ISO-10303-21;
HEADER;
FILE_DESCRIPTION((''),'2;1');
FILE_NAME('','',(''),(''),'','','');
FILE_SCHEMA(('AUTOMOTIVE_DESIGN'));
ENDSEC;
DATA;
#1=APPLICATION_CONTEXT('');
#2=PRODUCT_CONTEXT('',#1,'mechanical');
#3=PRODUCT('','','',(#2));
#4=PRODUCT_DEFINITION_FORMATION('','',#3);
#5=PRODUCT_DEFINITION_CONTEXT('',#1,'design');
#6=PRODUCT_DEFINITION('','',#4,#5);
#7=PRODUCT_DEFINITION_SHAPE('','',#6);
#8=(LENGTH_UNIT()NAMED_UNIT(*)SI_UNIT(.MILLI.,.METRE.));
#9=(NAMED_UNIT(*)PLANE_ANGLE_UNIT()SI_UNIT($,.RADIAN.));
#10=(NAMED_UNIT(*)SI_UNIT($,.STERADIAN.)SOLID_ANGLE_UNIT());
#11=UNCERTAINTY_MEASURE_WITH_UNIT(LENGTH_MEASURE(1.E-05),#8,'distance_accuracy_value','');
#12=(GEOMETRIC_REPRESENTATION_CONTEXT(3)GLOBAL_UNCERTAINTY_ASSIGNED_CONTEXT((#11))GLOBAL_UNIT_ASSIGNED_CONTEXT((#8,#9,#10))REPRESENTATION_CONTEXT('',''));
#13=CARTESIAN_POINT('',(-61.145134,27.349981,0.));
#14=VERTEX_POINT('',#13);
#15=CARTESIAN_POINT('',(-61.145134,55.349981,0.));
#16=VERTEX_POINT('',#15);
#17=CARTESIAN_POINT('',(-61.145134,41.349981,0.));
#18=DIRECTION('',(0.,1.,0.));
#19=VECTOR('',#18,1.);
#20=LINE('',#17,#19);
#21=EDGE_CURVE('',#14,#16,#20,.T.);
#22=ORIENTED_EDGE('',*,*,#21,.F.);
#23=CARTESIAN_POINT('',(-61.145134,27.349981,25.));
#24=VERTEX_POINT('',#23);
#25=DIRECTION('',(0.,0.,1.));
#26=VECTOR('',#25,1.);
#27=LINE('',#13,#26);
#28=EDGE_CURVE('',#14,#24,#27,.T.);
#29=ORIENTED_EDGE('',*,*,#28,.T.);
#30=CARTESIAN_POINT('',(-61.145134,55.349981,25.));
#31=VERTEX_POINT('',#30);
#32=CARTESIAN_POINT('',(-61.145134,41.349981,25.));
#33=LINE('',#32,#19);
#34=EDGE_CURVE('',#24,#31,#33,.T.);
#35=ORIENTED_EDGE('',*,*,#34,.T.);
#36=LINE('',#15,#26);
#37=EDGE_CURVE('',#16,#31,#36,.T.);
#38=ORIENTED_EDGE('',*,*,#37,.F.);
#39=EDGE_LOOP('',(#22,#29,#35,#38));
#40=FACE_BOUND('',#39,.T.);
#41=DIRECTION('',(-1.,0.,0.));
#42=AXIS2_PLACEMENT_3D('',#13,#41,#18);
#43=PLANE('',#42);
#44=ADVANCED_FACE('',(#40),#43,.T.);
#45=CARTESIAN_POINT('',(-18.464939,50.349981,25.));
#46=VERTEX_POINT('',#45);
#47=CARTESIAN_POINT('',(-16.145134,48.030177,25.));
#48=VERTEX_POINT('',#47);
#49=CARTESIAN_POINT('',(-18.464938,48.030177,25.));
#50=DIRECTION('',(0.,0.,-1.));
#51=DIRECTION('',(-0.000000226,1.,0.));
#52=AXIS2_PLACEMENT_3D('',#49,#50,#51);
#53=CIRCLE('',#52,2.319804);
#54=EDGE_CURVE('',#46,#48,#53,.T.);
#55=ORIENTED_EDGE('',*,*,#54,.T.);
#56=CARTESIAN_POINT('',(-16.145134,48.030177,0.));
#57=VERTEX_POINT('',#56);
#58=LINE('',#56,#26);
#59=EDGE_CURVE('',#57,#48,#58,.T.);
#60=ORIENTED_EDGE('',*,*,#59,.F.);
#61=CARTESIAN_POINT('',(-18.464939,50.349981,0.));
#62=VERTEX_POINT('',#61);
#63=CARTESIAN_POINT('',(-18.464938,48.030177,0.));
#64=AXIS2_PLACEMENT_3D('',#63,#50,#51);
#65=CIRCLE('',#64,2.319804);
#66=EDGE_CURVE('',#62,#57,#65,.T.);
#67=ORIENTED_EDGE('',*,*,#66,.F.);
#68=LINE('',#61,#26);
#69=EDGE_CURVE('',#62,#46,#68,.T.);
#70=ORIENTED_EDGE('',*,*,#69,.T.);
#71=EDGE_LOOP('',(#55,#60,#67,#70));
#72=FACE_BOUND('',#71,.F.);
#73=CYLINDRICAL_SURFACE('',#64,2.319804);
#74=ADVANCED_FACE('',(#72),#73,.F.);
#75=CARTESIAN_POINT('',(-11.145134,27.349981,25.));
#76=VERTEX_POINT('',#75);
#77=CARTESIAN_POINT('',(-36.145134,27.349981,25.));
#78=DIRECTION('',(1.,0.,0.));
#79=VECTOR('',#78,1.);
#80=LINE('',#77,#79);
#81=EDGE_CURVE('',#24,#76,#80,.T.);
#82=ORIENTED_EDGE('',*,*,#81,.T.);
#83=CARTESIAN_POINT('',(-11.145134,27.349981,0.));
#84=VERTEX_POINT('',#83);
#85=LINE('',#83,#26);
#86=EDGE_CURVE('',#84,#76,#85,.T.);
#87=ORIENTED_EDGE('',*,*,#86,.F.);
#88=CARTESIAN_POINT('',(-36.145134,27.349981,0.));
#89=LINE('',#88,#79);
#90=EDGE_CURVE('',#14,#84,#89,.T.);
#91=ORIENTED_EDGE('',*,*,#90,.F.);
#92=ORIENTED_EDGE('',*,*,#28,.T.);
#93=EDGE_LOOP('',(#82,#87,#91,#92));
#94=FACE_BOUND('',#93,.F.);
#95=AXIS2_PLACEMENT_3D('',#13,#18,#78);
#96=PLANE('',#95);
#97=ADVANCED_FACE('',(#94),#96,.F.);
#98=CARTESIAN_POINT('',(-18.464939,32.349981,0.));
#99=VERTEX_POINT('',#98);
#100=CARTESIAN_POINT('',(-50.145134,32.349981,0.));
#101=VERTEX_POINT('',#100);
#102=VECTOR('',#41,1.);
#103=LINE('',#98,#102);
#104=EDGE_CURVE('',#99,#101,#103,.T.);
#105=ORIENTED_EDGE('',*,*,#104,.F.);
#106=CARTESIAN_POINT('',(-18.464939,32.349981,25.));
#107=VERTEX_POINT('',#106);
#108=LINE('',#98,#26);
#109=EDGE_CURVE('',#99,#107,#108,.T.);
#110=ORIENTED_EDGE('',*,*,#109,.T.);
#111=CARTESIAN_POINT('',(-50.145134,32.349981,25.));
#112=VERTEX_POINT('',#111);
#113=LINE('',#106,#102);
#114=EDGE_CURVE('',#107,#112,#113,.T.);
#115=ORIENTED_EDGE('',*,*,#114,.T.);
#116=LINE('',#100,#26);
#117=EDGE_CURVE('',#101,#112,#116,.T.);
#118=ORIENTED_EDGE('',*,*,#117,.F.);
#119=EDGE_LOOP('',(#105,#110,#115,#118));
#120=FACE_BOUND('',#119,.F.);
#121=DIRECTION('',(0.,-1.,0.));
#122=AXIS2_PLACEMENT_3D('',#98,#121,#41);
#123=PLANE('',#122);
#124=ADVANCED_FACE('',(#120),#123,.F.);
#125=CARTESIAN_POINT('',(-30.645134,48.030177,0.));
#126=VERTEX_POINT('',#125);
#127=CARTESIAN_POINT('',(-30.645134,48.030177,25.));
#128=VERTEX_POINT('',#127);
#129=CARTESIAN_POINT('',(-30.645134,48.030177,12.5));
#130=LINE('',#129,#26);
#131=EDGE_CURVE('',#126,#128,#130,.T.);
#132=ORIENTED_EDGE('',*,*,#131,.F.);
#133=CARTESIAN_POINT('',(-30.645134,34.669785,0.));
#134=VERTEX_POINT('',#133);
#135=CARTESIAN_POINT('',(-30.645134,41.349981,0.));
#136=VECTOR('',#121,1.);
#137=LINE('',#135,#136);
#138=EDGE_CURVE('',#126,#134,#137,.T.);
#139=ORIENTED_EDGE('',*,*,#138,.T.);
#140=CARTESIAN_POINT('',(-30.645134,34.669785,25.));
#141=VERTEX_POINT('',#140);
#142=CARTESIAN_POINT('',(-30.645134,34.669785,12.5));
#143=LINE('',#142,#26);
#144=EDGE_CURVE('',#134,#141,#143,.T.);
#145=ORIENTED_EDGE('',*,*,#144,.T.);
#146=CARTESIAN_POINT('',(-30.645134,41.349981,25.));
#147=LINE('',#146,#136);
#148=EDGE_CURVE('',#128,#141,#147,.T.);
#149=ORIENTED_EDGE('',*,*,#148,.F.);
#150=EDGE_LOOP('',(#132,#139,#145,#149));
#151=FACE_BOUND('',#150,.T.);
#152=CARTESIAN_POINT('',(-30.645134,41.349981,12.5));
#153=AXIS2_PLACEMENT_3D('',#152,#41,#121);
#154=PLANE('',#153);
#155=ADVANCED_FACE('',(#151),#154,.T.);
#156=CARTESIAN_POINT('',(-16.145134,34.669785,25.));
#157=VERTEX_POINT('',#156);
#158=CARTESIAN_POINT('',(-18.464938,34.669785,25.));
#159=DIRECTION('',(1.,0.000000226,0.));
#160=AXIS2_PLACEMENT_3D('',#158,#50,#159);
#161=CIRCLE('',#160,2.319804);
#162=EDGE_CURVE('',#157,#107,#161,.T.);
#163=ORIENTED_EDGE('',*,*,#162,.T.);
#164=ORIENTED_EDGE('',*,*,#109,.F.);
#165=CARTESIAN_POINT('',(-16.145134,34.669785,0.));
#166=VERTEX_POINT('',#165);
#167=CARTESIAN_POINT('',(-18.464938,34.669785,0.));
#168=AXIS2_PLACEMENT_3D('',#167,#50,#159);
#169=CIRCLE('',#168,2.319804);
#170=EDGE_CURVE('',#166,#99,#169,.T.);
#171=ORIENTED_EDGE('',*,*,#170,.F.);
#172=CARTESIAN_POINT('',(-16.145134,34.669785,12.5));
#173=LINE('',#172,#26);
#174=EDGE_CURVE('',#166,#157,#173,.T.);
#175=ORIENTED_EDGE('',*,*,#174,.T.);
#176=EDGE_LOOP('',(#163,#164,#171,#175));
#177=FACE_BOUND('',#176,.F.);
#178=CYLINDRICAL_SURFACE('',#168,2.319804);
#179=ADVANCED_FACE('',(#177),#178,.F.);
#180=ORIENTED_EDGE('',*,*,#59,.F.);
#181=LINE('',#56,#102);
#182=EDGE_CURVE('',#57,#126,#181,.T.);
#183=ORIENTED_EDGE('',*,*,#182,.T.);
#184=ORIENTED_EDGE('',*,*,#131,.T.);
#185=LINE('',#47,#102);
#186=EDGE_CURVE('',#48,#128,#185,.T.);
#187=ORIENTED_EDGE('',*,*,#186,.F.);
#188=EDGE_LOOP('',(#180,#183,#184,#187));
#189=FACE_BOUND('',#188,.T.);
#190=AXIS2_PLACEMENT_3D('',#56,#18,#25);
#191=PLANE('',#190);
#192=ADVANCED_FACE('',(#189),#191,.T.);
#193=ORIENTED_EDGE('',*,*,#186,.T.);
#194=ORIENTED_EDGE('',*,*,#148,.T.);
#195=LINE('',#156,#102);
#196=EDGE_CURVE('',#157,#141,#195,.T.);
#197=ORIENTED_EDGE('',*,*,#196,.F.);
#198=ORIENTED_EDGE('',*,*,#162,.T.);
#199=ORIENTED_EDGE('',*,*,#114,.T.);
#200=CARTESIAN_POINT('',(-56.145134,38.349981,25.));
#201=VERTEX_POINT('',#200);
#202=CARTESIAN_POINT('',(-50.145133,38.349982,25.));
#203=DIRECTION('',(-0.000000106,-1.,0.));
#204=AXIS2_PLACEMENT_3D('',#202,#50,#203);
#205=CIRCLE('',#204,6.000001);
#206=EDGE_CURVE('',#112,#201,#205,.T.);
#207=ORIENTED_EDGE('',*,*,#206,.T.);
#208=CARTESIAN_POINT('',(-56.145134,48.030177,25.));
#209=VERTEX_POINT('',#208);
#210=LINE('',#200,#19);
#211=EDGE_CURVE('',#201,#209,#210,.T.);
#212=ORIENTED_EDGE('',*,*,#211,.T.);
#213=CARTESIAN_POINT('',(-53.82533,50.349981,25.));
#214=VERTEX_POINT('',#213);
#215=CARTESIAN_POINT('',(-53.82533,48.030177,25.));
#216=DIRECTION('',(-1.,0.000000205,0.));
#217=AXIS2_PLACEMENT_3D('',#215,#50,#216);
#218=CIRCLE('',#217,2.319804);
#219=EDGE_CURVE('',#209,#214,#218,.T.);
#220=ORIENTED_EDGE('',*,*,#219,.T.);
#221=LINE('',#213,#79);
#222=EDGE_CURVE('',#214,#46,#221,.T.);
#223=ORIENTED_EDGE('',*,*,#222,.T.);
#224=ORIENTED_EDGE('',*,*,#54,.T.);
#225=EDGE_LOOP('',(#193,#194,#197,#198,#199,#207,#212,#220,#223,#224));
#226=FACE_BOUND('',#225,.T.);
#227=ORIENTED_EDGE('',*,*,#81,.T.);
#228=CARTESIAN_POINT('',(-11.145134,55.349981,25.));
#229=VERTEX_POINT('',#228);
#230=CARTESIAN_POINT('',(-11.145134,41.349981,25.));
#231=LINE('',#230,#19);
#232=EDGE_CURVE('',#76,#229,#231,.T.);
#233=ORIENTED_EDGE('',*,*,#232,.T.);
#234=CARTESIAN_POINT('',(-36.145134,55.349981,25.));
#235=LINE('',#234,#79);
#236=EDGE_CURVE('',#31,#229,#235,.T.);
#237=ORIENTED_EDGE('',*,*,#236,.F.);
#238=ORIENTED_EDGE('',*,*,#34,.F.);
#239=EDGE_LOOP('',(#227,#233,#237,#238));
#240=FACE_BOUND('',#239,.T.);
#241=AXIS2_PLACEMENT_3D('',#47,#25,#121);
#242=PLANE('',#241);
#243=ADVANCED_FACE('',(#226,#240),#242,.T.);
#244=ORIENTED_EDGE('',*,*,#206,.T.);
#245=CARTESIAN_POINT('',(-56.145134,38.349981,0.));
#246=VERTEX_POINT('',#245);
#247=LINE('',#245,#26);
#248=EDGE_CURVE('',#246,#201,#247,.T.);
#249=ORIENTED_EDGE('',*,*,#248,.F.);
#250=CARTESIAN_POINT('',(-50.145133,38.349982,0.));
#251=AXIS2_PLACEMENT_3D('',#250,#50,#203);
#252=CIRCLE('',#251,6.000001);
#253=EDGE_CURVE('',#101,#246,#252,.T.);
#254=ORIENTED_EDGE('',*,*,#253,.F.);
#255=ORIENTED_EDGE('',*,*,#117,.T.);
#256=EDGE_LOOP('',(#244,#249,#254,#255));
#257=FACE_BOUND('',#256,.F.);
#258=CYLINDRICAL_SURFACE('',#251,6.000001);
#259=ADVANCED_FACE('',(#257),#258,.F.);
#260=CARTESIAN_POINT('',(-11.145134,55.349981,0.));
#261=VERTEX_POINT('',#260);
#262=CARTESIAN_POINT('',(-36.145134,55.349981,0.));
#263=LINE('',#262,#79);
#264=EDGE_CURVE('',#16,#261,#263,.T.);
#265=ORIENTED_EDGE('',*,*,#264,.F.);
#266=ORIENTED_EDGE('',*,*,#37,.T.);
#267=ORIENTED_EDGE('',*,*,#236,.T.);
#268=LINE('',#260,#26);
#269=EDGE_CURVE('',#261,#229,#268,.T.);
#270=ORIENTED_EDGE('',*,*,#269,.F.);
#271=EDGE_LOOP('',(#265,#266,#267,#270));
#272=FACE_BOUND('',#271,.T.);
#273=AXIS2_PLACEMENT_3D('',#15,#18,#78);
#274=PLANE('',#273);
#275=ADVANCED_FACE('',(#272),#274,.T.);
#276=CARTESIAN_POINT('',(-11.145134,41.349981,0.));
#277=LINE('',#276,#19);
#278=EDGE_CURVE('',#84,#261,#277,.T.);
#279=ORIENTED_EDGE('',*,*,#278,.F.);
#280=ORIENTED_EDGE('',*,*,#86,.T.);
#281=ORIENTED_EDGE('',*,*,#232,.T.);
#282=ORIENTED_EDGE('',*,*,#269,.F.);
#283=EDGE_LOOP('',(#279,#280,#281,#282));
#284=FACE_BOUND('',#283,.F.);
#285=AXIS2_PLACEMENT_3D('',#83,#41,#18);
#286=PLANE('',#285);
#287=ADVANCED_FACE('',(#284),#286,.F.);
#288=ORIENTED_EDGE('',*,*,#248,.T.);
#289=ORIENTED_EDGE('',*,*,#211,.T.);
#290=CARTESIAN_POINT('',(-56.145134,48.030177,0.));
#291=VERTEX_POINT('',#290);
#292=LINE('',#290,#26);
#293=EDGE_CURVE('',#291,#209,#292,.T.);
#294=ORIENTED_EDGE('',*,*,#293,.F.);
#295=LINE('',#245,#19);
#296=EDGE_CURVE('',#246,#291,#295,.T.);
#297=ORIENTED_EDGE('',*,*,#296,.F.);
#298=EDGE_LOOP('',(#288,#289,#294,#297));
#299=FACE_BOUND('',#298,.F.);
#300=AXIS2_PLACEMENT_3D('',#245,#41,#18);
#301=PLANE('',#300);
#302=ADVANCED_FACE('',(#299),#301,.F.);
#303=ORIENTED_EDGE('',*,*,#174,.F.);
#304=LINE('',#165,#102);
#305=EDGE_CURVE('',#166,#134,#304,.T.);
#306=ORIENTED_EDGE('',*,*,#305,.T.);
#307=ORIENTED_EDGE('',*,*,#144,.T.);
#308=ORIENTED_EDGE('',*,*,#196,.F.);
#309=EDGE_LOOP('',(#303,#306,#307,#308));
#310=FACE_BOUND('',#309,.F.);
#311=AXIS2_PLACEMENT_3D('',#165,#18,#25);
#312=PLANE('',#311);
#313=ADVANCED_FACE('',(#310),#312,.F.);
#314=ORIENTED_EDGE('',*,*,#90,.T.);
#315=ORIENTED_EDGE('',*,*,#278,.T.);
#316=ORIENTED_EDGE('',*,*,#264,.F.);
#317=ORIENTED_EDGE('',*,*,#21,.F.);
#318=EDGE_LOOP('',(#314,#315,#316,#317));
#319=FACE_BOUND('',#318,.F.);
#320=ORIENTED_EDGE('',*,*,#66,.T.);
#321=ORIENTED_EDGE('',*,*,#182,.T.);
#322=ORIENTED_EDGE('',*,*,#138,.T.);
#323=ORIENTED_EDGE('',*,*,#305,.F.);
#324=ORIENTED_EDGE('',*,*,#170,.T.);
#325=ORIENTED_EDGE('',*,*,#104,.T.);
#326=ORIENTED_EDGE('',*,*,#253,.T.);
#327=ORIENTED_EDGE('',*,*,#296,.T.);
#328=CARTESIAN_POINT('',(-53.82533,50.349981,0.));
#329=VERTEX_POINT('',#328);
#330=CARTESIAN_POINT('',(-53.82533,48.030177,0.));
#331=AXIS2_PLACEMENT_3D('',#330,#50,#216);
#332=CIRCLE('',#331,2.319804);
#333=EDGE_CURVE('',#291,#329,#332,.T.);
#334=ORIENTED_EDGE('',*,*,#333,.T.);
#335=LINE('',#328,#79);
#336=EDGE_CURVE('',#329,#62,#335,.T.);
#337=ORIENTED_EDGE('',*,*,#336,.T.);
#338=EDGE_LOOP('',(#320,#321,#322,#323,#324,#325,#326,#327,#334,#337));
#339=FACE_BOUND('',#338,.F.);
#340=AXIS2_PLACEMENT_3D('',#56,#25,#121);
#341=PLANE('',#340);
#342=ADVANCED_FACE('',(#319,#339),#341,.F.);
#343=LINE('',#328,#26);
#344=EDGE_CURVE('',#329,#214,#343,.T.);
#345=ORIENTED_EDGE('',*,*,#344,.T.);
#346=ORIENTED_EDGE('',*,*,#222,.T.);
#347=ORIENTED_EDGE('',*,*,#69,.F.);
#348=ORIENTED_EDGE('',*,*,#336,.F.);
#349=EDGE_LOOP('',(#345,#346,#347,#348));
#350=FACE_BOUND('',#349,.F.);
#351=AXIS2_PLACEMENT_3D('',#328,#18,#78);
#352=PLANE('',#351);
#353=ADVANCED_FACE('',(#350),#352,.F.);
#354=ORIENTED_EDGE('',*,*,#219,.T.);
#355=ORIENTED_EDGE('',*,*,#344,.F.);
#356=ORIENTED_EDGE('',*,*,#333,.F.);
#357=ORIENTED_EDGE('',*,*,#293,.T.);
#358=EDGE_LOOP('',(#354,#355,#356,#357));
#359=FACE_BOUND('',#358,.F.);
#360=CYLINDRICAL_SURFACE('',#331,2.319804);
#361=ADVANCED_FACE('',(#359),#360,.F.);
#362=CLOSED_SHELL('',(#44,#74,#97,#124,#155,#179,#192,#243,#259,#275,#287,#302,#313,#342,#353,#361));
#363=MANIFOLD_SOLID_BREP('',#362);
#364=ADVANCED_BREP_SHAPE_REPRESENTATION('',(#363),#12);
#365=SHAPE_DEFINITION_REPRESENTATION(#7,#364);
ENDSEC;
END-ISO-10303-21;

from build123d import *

# Parameters (mm, degrees)
F0_W      = 50
F0_H      = 28
F1_DEPTH  = 25
F1_FACE_W = 13.360392
F1_FACE_H = 25
F2_DEPTH  = 14.5


with BuildPart() as f1:
    # F0 (on Top) → F1 (new body)
    with BuildSketch(Plane.XY):
        with Locations((-36.145134, 41.349981)):
            Rectangle(F0_W, F0_H)
        with BuildLine():
            ThreePointArc((-56.145134, 48.030177), (-55.465679, 49.670526), (-53.82533, 50.349981))
            Line((-53.82533, 50.349981), (-18.464939, 50.349981))
            ThreePointArc((-18.464939, 50.349981), (-16.824589, 49.670526), (-16.145134, 48.030177))
            Line((-16.145134, 48.030177), (-16.145134, 34.669786))
            ThreePointArc((-16.145134, 34.669786), (-16.824589, 33.029436), (-18.464939, 32.349981))
            Line((-18.464939, 32.349981), (-50.145134, 32.349981))
            ThreePointArc((-50.145134, 32.349981), (-54.387775, 34.107341), (-56.145134, 38.349981))
            Line((-56.145134, 38.349981), (-56.145134, 48.030177))
        make_face(mode=Mode.SUBTRACT)
    extrude(amount=F1_DEPTH)

    # F1_face (on face) → F2 (join)
    with BuildSketch(Plane(origin=(-16.145134, 41.349981, 12.5), x_dir=(0, -1, 0), z_dir=(-1, 0, 0))):
        Rectangle(F1_FACE_W, F1_FACE_H)
    extrude(amount=F2_DEPTH)


solid = f1.part
